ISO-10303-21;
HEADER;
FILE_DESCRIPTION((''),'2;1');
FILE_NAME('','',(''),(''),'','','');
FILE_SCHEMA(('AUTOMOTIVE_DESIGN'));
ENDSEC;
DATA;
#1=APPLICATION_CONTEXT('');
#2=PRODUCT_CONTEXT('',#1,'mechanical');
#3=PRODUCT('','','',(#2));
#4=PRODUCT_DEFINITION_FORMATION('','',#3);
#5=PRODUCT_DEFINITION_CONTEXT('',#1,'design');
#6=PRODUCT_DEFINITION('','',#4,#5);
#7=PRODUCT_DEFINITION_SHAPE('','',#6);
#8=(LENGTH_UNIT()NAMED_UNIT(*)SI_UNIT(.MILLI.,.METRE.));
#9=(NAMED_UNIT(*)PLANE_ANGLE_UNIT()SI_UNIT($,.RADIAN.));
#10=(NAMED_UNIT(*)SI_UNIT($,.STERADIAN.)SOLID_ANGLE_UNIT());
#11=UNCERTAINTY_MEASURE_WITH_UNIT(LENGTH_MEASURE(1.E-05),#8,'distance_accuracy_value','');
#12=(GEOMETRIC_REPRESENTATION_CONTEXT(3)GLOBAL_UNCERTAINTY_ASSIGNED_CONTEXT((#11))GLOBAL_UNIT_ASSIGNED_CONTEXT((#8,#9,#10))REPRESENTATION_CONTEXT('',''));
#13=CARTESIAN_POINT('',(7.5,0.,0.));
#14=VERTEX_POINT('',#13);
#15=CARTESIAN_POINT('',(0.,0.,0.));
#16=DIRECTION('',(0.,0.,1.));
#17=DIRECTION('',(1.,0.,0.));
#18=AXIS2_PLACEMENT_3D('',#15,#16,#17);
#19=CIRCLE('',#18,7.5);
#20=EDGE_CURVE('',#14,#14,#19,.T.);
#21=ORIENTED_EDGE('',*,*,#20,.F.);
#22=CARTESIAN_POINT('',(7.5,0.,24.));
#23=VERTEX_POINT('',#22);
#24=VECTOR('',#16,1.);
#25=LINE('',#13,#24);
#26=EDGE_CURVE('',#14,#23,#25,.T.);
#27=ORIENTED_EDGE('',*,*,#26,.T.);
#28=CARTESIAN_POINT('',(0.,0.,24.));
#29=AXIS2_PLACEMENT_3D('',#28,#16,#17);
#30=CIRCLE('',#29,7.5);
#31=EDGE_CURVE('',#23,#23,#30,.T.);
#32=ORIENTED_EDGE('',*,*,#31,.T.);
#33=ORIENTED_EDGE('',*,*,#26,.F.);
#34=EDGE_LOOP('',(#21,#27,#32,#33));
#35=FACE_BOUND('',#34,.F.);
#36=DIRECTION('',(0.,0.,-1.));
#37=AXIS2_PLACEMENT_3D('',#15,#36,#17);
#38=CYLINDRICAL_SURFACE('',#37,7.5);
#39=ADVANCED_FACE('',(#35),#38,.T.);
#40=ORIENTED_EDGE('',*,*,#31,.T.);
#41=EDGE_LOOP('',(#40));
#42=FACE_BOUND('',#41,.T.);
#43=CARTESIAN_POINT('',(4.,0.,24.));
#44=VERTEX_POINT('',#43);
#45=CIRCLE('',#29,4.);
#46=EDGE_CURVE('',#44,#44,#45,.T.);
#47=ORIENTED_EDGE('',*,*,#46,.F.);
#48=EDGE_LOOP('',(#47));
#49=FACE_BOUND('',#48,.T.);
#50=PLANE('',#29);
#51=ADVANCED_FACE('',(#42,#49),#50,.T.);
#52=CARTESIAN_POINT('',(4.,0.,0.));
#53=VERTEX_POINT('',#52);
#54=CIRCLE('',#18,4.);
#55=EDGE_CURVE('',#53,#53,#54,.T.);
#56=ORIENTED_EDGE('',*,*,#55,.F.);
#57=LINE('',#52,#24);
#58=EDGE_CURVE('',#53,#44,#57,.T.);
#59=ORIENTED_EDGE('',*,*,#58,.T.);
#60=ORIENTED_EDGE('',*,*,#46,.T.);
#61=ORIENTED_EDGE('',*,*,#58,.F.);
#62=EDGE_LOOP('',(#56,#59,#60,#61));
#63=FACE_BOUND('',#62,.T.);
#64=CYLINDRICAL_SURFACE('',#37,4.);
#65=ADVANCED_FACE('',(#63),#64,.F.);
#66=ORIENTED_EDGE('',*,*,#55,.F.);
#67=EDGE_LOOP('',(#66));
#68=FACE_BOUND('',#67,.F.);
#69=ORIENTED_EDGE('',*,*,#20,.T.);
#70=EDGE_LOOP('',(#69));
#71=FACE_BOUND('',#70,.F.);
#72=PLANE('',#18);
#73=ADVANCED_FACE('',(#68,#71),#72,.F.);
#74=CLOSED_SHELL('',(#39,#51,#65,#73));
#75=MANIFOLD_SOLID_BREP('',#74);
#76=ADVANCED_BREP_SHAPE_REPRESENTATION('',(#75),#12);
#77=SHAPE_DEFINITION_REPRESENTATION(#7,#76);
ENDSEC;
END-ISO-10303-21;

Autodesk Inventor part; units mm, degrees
ref_plane "YZ Plane" through (0, 0, 0) normal (1, 0, 0) x (0, 1, 0)
ref_plane "XZ Plane" through (0, 0, 0) normal (0, 1, 0) x (-1, 0, 0)
ref_plane "XY Plane" through (0, 0, 0) normal (0, 0, 1) x (1, 0, 0)
sketch "Sketch1" plane through (0, 0, 0) normal (0, 0, 1) x (1, 0, 0)
  circle A0 centre (0, 0) radius 4
  circle A1 centre (0, 0) radius 7.5
  dimension "d0" = 8
  dimension "d1" = 15
extrude "Extrusion1" add sketch "Sketch1" along normal blind 24
properties part number "g_linear bearing 8mm"
